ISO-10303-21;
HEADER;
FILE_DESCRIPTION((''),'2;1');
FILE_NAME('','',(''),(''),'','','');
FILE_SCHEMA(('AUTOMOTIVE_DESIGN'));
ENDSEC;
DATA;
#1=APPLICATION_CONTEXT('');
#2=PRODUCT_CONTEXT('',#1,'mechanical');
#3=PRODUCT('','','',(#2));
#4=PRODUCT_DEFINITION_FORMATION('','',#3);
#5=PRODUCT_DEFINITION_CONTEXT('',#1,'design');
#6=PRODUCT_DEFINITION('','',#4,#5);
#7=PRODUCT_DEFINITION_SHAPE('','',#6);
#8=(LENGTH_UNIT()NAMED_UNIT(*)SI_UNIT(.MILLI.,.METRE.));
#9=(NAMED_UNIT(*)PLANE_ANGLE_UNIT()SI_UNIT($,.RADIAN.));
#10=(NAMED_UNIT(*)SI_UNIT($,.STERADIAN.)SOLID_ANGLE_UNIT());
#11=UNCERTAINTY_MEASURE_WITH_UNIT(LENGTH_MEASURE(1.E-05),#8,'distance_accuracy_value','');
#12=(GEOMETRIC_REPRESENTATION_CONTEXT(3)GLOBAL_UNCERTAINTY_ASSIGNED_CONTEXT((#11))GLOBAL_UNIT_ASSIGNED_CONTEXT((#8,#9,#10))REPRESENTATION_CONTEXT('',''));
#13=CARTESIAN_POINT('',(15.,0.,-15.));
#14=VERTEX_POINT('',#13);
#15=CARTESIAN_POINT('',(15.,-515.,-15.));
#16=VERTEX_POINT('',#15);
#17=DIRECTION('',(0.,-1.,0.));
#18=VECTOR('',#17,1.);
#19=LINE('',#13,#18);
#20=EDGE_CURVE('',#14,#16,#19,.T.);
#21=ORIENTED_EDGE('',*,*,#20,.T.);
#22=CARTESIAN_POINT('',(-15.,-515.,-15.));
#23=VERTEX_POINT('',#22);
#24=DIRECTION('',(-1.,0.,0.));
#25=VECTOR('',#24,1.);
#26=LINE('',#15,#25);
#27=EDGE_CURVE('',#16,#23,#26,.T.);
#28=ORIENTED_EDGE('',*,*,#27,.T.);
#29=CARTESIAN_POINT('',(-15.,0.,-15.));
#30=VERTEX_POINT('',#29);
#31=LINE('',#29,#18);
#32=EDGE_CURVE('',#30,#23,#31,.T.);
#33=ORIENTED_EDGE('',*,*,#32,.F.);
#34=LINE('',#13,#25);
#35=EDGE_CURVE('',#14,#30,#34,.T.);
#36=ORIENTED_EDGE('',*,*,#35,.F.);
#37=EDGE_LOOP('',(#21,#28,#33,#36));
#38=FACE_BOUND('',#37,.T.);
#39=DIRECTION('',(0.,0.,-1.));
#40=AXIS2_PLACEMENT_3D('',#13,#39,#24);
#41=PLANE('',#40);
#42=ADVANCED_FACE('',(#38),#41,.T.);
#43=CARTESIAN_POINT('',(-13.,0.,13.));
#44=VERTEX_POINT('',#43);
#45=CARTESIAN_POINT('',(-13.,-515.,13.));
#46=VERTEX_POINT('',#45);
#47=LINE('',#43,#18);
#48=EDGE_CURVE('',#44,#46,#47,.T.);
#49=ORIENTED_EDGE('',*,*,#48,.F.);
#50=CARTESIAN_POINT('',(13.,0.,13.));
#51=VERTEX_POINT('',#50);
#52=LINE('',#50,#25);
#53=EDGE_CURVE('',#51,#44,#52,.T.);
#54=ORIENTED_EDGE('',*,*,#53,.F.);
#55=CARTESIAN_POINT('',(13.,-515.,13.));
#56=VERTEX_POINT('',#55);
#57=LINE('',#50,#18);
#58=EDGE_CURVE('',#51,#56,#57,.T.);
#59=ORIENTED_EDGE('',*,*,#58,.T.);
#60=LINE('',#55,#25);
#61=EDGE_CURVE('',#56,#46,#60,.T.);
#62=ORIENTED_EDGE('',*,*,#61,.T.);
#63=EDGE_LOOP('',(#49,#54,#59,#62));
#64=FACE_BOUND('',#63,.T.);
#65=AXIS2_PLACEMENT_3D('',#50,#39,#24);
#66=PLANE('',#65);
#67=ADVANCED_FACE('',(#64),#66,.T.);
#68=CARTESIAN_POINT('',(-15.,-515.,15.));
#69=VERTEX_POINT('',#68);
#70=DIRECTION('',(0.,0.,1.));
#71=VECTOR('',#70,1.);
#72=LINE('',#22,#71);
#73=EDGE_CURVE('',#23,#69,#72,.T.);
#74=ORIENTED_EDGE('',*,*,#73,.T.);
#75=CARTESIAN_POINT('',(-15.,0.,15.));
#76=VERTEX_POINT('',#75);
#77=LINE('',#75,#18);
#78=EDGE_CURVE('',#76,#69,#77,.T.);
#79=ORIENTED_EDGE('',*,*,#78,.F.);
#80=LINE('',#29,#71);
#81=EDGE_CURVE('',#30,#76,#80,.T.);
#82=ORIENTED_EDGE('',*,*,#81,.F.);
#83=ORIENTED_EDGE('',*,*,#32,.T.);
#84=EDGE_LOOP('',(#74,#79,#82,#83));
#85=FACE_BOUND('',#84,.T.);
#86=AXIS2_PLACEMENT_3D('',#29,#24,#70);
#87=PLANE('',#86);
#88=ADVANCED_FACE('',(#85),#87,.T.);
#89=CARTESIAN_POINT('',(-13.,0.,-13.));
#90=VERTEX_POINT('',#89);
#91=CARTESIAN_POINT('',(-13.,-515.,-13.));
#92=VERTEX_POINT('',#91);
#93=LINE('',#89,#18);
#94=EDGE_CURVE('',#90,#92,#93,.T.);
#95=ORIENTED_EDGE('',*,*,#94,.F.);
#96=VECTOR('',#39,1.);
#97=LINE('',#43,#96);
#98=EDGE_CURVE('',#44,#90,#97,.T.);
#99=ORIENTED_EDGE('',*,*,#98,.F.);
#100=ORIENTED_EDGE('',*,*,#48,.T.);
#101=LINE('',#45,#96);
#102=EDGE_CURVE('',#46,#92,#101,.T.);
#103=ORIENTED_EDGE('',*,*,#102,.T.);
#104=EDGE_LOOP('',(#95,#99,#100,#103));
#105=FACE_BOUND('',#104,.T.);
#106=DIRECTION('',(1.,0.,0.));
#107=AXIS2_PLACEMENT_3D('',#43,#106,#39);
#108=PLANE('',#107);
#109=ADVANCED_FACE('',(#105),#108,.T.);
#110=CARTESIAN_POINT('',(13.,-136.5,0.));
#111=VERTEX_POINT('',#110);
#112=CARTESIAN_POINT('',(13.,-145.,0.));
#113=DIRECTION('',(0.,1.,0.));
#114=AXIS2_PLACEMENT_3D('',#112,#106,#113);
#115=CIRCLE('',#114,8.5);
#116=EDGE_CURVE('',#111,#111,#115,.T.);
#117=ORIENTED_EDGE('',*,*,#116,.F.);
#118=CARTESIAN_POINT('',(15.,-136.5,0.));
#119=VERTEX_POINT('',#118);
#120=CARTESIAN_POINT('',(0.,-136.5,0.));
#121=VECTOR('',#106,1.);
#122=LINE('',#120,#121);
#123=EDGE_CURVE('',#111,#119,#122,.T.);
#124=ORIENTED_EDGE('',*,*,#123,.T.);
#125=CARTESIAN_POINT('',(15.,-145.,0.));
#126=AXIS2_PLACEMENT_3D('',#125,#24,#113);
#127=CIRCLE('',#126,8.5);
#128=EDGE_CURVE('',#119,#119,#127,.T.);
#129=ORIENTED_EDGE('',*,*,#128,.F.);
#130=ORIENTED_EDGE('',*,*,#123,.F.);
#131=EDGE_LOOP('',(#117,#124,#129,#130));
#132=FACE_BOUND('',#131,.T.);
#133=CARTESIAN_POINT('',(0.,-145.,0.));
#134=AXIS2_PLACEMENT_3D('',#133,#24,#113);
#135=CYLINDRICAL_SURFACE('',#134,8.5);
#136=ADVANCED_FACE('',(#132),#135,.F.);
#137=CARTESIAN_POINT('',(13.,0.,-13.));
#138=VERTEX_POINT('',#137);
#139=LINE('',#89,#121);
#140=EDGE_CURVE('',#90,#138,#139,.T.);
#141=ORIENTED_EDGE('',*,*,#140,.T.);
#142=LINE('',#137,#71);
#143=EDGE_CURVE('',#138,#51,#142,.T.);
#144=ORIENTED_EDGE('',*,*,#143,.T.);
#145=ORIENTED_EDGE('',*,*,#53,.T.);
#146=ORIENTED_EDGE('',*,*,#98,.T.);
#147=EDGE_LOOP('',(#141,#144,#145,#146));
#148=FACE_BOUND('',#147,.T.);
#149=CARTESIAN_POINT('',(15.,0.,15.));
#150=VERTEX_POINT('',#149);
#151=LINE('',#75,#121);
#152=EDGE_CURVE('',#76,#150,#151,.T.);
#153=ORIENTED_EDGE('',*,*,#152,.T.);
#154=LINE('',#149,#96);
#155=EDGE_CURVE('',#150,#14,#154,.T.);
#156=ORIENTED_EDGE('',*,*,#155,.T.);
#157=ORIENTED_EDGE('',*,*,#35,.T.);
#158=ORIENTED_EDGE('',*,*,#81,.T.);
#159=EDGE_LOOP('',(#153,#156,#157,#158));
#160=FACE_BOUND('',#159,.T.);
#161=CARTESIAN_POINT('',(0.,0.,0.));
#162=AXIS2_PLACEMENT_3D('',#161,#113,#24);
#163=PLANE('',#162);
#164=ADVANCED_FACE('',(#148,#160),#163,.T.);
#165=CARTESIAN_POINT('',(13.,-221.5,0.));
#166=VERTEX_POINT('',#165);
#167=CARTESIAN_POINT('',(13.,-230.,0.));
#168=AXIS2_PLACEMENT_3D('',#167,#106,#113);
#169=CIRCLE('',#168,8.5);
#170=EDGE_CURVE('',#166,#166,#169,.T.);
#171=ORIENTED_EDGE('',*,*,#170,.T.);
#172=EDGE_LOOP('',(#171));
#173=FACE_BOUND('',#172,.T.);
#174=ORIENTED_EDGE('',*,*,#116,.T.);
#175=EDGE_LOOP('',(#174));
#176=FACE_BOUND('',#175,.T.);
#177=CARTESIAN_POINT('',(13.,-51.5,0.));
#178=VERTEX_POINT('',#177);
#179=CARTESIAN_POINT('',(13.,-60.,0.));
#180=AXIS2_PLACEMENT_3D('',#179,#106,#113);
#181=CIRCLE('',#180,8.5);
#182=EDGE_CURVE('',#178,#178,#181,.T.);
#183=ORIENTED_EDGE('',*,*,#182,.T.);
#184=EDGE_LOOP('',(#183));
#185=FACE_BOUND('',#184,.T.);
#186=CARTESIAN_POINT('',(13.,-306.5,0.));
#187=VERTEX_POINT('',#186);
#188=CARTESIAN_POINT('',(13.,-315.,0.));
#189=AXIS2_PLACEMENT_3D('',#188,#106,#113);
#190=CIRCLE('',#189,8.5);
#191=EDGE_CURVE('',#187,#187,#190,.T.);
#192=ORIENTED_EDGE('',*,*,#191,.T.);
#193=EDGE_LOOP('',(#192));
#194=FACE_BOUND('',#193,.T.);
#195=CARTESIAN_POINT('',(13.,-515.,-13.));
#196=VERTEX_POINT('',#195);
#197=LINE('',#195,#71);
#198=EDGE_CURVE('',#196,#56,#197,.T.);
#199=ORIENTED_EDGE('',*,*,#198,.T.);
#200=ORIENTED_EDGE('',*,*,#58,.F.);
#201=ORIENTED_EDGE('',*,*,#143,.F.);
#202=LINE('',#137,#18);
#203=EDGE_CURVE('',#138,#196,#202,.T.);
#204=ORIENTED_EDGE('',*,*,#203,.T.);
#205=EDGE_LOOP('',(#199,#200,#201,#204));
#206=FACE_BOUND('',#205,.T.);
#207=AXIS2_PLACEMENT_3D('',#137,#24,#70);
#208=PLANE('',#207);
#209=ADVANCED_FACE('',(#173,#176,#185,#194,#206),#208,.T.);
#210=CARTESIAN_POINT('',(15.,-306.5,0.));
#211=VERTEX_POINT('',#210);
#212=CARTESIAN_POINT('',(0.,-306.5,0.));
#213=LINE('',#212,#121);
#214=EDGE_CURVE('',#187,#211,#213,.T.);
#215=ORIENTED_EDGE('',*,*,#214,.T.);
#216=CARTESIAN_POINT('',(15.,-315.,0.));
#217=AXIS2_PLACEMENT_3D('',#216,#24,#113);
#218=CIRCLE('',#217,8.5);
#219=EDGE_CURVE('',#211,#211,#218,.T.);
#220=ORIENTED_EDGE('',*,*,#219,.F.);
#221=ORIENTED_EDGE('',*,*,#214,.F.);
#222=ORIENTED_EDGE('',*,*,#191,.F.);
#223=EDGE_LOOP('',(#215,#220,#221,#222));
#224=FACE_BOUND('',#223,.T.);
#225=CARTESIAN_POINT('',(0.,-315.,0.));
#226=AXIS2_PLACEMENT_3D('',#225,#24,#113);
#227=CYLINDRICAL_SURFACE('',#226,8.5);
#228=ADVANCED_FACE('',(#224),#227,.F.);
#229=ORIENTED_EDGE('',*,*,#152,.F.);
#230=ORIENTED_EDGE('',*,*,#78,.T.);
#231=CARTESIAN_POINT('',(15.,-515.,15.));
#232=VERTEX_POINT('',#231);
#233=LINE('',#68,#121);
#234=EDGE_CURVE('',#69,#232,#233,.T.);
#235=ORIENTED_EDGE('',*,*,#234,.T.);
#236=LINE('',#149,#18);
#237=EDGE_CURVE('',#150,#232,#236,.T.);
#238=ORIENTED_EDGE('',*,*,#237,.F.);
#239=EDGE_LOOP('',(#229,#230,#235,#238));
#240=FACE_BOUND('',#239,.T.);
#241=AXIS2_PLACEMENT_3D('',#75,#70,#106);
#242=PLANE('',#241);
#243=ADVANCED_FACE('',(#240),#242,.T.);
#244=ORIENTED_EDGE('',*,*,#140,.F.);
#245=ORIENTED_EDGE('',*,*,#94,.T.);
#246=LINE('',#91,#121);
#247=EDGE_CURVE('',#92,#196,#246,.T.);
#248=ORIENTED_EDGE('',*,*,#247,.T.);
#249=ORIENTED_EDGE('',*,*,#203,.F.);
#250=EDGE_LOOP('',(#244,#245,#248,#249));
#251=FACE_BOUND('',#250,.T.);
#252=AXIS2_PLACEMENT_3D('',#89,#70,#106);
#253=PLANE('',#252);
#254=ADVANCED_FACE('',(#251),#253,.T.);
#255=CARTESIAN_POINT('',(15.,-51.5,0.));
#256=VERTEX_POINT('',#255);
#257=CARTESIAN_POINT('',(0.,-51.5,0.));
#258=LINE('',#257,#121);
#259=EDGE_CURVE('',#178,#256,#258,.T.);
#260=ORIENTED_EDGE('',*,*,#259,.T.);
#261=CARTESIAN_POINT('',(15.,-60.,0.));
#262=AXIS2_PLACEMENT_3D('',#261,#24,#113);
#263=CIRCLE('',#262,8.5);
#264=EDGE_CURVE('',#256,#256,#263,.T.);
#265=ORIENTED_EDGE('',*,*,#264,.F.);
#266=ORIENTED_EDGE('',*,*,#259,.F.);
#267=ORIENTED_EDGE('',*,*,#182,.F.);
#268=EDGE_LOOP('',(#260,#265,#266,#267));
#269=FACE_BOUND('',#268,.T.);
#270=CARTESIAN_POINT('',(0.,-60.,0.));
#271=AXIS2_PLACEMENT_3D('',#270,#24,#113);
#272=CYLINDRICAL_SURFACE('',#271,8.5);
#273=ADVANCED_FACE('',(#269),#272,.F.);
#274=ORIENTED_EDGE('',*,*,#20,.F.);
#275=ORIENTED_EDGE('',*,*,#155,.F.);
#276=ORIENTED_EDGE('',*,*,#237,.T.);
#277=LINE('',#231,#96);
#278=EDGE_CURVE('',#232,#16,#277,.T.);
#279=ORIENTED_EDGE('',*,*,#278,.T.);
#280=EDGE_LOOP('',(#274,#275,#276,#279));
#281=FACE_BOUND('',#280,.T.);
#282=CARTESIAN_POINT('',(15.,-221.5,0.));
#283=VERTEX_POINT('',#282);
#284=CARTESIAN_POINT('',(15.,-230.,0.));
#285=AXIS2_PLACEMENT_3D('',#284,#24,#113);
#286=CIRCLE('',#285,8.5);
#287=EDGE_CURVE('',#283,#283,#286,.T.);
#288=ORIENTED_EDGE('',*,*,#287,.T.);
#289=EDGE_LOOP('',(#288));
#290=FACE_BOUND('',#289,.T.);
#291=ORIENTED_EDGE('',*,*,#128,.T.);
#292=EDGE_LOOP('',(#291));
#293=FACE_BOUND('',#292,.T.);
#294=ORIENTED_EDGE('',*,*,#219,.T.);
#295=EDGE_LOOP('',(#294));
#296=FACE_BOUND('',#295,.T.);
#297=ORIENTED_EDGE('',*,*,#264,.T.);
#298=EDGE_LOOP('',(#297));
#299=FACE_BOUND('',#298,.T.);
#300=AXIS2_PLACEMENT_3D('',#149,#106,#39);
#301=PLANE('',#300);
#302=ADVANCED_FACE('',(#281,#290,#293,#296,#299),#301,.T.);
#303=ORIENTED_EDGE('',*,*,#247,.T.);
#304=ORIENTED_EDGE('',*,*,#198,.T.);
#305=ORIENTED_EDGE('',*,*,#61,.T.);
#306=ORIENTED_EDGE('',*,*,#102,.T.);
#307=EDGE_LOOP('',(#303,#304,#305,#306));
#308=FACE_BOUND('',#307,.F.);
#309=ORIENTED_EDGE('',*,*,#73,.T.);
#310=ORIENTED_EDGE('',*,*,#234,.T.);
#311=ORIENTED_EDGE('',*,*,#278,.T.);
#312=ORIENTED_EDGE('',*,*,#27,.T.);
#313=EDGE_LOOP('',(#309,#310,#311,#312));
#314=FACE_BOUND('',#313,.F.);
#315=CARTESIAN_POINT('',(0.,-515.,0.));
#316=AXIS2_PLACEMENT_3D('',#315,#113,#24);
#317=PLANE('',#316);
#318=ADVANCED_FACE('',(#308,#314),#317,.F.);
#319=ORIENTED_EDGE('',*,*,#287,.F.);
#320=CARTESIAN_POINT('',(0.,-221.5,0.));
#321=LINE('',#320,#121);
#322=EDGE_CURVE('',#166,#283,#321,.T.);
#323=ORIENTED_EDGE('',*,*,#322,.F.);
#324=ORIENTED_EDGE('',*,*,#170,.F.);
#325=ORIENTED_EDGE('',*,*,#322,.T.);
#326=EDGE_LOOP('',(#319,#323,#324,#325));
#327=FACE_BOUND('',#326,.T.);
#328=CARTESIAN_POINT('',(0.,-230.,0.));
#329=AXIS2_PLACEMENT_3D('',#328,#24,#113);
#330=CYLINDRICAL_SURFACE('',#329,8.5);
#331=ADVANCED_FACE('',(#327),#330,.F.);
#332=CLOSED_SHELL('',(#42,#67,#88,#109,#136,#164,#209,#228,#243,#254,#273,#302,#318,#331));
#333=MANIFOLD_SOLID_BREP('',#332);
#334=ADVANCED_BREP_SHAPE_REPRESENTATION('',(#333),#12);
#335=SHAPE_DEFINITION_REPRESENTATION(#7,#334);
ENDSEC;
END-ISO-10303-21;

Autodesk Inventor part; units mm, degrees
ref_plane "YZ Plane" through (0, 0, 0) normal (1, 0, 0) x (0, 1, 0)
ref_plane "XZ Plane" through (0, 0, 0) normal (0, 1, 0) x (-1, 0, 0)
ref_plane "XY Plane" through (0, 0, 0) normal (0, 0, 1) x (1, 0, 0)
sketch "Sketch9" plane through (0, 0, 0) normal (0, 1, 0) x (-1, 0, 0)
  line L0 (15, 15) -> (-15, 15)
  line L1 (-15, 15) -> (-15, -15)
  line L2 (-15, -15) -> (15, -15)
  line L3 (15, -15) -> (15, 15)
  line L4 (15, 15) -> (-15, -15) construction
  line L5 (-15, 15) -> (15, -15) construction
  line L6 (-13, 13) -> (13, 13)
  line L7 (13, 13) -> (13, -13)
  line L8 (13, -13) -> (-13, -13)
  line L9 (-13, -13) -> (-13, 13)
  point P0 (0, 0)
  dimension "d172" = 30
  dimension "d173" = 30
  dimension "d174" = 2
extrude "Extrusion3" add sketch "Sketch9" against normal blind 515
sketch "Sketch10" plane through (0, 0, 0) normal (1, 0, 0) x (0, 1, 0)
  line L0 (0, 15) -> (0, -15) construction
  line L1 (0, 15) -> (-515, 15) construction
  line L2 (-515, -15) -> (-515, 15) construction
  line L3 (0, -15) -> (-515, -15) construction
  line L4 (-68.5, 8.5) -> (-51.5, 8.5)
  line L5 (-51.5, 8.5) -> (-51.5, -8.5)
  line L6 (-51.5, -8.5) -> (-68.5, -8.5)
  line L7 (-68.5, -8.5) -> (-68.5, 8.5)
  line L8 (-68.5, 8.5) -> (-51.5, -8.5) construction
  line L9 (-51.5, 8.5) -> (-68.5, -8.5) construction
  line L10 (0, 0) -> (30, 0)
  circle A0 centre (-60, 0) radius 8.5
  dimension "d177" = 17
  dimension "d178" = 17
  dimension "d181" = 30
  dimension "d182" = 90
extrude "Extrusion4" cut sketch "Sketch10" along normal through all contours A0
pattern_linear "Rectangular Pattern4" count 4 spacing 85 along (0, -1, 0) of "Extrusion4"
properties part number "PRS 1661 DrSysB way tube 1_1200" material "Stainless Steel"
